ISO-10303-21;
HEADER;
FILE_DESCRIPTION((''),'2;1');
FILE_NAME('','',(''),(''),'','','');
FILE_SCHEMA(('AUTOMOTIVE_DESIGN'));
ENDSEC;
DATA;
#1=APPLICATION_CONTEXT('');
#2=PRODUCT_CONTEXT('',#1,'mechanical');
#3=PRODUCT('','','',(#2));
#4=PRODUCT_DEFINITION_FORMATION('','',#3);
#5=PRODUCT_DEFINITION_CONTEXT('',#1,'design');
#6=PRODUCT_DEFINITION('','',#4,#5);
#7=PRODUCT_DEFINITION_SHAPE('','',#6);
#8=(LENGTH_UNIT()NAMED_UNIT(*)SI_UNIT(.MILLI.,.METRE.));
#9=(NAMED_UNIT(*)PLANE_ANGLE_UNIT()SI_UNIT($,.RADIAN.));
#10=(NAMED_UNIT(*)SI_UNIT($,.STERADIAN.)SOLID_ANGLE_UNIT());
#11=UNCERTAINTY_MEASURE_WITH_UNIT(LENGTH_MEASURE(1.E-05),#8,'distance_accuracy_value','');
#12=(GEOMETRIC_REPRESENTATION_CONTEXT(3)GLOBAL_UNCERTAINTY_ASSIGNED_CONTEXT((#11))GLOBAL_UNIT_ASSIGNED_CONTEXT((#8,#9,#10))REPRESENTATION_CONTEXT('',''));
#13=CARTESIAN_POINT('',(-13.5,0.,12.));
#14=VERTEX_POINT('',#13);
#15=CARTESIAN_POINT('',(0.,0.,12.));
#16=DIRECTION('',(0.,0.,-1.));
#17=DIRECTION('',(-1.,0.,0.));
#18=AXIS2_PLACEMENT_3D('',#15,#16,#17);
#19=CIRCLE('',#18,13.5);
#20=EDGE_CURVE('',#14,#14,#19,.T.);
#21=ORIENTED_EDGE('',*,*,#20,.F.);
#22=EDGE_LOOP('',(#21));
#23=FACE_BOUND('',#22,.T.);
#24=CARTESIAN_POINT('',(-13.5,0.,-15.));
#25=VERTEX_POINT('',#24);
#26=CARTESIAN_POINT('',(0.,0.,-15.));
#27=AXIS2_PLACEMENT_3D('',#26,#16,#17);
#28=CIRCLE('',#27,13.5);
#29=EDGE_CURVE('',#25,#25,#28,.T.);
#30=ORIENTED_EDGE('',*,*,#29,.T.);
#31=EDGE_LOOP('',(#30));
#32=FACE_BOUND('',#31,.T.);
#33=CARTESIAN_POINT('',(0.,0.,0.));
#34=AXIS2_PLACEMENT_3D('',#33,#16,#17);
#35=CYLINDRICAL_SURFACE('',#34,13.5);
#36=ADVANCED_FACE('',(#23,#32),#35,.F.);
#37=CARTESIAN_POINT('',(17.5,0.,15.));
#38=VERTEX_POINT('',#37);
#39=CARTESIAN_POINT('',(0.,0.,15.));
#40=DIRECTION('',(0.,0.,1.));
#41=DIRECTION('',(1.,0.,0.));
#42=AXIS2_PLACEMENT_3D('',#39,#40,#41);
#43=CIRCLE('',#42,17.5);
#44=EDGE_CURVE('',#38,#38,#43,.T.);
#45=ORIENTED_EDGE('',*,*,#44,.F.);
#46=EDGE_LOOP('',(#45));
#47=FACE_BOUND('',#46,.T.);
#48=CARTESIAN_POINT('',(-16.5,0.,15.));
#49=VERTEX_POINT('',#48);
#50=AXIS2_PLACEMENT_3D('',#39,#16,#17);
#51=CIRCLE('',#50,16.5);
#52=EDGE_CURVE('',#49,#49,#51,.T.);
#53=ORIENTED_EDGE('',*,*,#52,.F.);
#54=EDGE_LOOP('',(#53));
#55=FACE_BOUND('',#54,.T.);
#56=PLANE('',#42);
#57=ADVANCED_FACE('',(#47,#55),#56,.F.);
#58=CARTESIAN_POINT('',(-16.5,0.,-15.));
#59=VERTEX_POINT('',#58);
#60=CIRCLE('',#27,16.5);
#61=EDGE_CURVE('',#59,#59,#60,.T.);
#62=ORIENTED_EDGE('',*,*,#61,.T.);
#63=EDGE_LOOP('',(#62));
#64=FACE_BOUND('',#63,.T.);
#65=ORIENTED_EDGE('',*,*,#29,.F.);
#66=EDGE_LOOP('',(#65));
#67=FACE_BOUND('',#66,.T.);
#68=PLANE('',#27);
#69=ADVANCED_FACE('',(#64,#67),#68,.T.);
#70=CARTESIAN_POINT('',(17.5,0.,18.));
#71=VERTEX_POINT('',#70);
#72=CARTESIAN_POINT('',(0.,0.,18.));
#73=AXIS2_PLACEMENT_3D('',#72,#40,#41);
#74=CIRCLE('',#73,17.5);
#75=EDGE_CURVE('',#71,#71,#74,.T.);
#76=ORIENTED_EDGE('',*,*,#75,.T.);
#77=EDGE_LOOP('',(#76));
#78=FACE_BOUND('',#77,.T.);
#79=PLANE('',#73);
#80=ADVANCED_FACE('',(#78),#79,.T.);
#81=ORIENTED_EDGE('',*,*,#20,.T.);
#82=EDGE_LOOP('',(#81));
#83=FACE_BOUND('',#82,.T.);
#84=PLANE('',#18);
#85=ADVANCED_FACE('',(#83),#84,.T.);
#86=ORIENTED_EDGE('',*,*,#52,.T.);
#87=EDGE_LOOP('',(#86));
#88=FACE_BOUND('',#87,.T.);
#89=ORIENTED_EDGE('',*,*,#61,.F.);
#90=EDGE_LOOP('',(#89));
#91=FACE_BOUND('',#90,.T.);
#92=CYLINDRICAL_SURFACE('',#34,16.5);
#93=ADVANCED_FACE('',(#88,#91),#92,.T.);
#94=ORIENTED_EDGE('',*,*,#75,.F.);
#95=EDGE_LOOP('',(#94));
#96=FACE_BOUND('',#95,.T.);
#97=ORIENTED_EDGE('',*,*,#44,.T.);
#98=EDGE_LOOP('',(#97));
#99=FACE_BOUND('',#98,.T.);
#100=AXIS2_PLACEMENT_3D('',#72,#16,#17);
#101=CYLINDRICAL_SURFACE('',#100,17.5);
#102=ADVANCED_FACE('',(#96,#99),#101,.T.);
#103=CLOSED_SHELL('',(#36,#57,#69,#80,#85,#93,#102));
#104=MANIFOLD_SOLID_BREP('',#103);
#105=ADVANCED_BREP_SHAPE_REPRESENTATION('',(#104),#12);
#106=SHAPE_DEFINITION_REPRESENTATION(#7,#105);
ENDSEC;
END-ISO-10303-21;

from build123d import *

# Parameters (mm, degrees)
SKETCH1_W           = 3
SKETCH1_H           = 30
SKETCH1_W_2         = 13.5
SKETCH1_H_2         = 3
SKETCH2_R           = 17.5
BOSS_EXTRUDE1_DEPTH = 3


with BuildPart() as part:
    # Sketch1 → Revolve1 (revolve)
    with BuildSketch(Plane(origin=(0, 0, 0), x_dir=(1, 0, 0), z_dir=(0, 1, 0)), mode=Mode.PRIVATE) as revolve1_sk:
        with Locations((15, 0)):
            Rectangle(SKETCH1_W, SKETCH1_H)
        with Locations((6.75, -13.5)):
            Rectangle(SKETCH1_W_2, SKETCH1_H_2)
    revolve(revolve1_sk.sketch.rotate(Axis((0, 0, 0), (0, 0, 1)), 180), axis=Axis((0, 0, 0), (0, 0, 1)))

    # Sketch2 → Boss-Extrude1 (add)
    with BuildSketch(Plane.XY.offset(15)):
        Circle(SKETCH2_R)
    extrude(amount=BOSS_EXTRUDE1_DEPTH)


solid = part.part
